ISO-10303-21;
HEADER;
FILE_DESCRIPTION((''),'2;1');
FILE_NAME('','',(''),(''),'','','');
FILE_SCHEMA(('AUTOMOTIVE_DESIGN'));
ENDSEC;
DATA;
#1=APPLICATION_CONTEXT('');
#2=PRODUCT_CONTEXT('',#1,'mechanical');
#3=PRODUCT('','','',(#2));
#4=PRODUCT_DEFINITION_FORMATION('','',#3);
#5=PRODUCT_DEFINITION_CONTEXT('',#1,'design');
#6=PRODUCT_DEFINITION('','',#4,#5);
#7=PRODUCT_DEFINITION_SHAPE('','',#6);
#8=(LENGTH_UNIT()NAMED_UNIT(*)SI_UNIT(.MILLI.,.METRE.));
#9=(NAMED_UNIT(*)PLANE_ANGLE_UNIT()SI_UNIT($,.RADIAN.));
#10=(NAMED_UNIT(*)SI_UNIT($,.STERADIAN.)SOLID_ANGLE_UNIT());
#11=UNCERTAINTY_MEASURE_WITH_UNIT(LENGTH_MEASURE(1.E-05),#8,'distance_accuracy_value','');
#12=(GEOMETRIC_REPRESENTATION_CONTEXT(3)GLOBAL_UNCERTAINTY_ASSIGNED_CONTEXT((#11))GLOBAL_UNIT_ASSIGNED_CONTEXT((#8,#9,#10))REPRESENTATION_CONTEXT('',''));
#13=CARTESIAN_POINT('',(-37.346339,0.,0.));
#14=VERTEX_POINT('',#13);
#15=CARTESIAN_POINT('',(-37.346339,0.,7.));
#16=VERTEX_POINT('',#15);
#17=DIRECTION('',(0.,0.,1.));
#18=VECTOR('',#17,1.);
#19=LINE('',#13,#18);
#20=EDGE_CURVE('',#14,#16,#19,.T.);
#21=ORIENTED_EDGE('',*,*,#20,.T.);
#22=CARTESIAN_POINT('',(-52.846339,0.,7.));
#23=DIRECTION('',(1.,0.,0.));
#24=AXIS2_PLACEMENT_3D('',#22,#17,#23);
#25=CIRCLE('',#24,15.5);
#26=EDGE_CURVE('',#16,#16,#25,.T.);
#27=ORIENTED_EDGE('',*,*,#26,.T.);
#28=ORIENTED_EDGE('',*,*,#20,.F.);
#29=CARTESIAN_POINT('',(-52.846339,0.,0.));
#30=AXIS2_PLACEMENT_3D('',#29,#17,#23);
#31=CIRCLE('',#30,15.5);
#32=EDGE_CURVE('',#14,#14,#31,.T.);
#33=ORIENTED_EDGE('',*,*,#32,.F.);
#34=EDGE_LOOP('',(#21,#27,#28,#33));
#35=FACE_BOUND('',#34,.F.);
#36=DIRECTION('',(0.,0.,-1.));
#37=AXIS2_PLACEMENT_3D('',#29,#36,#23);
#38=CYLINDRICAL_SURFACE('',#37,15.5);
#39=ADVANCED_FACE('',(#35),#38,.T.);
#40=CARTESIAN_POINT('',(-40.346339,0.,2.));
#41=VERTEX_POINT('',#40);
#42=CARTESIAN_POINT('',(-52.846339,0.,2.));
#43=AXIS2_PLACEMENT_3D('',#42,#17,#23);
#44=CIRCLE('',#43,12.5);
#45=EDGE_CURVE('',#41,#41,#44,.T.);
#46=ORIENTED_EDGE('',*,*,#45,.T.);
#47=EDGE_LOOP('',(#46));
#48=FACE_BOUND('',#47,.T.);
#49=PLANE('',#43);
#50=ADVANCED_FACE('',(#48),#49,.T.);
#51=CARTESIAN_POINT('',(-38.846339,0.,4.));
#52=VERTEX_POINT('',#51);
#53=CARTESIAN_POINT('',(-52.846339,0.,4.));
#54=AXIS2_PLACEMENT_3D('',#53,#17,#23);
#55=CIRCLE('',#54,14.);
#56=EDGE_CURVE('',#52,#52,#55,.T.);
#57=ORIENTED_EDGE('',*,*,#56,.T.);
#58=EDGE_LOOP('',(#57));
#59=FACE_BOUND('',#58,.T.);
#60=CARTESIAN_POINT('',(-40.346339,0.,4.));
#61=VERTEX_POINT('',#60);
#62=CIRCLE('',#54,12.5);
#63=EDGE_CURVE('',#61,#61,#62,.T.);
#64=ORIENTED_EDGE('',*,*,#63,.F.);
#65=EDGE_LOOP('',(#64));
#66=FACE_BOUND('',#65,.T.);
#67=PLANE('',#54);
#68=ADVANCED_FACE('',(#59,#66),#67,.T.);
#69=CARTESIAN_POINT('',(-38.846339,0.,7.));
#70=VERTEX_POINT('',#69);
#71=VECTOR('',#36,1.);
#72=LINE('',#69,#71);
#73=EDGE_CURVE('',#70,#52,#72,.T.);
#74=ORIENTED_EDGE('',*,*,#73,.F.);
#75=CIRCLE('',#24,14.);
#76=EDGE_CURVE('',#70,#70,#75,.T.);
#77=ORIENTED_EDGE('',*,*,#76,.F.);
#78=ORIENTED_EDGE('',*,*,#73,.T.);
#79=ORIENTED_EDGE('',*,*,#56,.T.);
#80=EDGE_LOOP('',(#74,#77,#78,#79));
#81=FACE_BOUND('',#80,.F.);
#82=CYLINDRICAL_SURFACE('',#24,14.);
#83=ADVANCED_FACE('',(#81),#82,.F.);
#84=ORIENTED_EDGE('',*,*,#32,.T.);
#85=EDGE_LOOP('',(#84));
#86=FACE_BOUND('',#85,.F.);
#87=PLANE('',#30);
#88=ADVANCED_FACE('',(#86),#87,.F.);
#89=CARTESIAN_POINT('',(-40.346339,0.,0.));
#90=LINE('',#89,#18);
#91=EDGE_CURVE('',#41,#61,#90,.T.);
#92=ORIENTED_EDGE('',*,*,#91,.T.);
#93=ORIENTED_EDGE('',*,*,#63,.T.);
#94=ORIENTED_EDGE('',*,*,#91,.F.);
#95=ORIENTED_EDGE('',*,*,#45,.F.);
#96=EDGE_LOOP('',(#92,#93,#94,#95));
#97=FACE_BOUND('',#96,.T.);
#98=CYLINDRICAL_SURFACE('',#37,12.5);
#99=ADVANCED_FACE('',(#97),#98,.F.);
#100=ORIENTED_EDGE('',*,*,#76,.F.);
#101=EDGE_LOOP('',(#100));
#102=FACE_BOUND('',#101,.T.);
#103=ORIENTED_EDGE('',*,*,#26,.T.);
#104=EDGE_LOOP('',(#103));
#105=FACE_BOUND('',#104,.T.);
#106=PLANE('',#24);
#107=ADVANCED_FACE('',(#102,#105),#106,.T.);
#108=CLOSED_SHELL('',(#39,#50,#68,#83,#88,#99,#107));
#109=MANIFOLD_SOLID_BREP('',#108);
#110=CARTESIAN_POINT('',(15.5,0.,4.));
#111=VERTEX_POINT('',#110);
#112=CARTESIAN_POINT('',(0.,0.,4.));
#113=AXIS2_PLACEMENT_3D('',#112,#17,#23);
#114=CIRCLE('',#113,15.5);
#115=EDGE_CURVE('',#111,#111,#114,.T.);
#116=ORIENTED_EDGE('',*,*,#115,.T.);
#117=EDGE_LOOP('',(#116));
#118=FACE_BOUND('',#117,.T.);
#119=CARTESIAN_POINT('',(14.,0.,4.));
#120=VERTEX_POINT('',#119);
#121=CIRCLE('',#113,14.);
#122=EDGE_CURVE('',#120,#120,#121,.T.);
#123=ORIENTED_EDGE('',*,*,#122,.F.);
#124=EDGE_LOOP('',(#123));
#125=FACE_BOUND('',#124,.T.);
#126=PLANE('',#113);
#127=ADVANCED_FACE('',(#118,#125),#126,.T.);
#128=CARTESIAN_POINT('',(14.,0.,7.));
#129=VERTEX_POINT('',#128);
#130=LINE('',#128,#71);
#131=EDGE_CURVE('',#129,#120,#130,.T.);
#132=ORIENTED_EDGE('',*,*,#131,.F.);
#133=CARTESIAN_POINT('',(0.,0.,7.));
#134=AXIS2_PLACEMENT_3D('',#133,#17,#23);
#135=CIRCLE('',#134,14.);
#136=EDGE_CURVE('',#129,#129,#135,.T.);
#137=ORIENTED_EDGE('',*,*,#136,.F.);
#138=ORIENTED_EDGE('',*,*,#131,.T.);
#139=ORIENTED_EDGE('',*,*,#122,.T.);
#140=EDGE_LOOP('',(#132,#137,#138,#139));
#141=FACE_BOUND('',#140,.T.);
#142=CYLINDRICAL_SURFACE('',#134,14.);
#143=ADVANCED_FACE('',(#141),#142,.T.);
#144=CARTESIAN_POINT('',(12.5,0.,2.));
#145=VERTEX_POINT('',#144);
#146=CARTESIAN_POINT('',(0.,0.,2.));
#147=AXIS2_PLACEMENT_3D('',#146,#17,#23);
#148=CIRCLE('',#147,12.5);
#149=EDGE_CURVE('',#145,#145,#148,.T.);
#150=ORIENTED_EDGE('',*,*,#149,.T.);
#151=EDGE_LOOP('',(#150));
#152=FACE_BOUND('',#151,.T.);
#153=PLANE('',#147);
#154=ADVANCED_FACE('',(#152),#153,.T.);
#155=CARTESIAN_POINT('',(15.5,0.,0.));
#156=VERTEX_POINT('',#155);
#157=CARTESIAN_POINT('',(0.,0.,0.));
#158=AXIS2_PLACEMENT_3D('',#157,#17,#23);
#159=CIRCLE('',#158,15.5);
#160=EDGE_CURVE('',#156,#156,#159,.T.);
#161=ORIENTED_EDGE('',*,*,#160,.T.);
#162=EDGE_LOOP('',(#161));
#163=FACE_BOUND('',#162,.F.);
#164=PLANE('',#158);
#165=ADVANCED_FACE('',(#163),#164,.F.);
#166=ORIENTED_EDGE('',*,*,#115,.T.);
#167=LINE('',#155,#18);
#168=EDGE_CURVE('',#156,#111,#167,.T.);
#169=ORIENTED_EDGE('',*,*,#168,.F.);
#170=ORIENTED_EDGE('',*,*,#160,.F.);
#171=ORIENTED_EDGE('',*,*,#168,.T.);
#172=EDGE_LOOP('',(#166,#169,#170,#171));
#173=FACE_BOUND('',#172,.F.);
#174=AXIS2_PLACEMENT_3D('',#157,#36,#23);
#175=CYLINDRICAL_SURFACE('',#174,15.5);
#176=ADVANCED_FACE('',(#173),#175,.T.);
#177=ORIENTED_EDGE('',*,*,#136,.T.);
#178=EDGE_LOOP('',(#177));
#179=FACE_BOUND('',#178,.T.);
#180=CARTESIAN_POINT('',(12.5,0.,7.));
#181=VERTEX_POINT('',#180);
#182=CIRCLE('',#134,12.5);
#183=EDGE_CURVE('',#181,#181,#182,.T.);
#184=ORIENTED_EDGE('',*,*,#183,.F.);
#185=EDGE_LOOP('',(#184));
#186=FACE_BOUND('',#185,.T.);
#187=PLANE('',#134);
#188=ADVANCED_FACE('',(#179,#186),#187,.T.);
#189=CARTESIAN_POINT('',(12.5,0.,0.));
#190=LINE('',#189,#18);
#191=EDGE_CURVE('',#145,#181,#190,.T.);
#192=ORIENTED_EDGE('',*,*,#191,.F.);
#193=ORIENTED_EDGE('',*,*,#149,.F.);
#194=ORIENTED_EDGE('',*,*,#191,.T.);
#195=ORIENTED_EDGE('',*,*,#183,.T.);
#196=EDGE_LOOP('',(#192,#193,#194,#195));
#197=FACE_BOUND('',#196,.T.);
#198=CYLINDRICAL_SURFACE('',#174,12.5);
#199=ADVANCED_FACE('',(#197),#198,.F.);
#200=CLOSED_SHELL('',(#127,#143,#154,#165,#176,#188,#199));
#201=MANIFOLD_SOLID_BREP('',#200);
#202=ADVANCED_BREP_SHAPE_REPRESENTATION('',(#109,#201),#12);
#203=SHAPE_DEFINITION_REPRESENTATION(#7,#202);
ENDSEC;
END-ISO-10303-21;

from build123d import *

# Parameters (mm, degrees)
F0_R     = 15.5
F0_R_2   = 12.5
F1_DEPTH = 7
F2_R     = 12.5
F3_DEPTH = 2
F4_R     = 14
F4_R_2   = 12.5
F4_R_3   = 15.5
F5_DEPTH = 3
F6_R     = 15.5
F6_R_2   = 14
F7_DEPTH = 3


with BuildPart() as f1:
    # F0 (on Top) → F1 (new body)
    with BuildSketch(Plane.XY):
        with Locations((-52.846339, 0)):
            Circle(F0_R)
        with Locations((-52.846339, 0)):
            Circle(F0_R_2, mode=Mode.SUBTRACT)
        Circle(F0_R)
        Circle(F0_R_2, mode=Mode.SUBTRACT)
    extrude(amount=F1_DEPTH)

    # F2 (on Top) → F3 (join)
    with BuildSketch(Plane.XY):
        with Locations((-52.846339, 0)):
            Circle(F2_R)
        Circle(F2_R)
    extrude(amount=F3_DEPTH)

    # F4 (on face) → F5 (cut)
    with BuildSketch(Plane.XY.offset(7)):
        with Locations((-52.846339, 0)):
            Circle(F4_R)
        with Locations((-52.846339, 0)):
            Circle(F4_R_2, mode=Mode.SUBTRACT)
        Circle(F4_R_3)
        Circle(F4_R, mode=Mode.SUBTRACT)
    extrude(amount=-F5_DEPTH, mode=Mode.SUBTRACT)

    # F6 (on face) → F7 (cut)
    with BuildSketch(Plane.XY.offset(7)):
        Circle(F6_R)
        Circle(F6_R_2, mode=Mode.SUBTRACT)
    extrude(amount=-F7_DEPTH, mode=Mode.SUBTRACT)


solid = f1.part
